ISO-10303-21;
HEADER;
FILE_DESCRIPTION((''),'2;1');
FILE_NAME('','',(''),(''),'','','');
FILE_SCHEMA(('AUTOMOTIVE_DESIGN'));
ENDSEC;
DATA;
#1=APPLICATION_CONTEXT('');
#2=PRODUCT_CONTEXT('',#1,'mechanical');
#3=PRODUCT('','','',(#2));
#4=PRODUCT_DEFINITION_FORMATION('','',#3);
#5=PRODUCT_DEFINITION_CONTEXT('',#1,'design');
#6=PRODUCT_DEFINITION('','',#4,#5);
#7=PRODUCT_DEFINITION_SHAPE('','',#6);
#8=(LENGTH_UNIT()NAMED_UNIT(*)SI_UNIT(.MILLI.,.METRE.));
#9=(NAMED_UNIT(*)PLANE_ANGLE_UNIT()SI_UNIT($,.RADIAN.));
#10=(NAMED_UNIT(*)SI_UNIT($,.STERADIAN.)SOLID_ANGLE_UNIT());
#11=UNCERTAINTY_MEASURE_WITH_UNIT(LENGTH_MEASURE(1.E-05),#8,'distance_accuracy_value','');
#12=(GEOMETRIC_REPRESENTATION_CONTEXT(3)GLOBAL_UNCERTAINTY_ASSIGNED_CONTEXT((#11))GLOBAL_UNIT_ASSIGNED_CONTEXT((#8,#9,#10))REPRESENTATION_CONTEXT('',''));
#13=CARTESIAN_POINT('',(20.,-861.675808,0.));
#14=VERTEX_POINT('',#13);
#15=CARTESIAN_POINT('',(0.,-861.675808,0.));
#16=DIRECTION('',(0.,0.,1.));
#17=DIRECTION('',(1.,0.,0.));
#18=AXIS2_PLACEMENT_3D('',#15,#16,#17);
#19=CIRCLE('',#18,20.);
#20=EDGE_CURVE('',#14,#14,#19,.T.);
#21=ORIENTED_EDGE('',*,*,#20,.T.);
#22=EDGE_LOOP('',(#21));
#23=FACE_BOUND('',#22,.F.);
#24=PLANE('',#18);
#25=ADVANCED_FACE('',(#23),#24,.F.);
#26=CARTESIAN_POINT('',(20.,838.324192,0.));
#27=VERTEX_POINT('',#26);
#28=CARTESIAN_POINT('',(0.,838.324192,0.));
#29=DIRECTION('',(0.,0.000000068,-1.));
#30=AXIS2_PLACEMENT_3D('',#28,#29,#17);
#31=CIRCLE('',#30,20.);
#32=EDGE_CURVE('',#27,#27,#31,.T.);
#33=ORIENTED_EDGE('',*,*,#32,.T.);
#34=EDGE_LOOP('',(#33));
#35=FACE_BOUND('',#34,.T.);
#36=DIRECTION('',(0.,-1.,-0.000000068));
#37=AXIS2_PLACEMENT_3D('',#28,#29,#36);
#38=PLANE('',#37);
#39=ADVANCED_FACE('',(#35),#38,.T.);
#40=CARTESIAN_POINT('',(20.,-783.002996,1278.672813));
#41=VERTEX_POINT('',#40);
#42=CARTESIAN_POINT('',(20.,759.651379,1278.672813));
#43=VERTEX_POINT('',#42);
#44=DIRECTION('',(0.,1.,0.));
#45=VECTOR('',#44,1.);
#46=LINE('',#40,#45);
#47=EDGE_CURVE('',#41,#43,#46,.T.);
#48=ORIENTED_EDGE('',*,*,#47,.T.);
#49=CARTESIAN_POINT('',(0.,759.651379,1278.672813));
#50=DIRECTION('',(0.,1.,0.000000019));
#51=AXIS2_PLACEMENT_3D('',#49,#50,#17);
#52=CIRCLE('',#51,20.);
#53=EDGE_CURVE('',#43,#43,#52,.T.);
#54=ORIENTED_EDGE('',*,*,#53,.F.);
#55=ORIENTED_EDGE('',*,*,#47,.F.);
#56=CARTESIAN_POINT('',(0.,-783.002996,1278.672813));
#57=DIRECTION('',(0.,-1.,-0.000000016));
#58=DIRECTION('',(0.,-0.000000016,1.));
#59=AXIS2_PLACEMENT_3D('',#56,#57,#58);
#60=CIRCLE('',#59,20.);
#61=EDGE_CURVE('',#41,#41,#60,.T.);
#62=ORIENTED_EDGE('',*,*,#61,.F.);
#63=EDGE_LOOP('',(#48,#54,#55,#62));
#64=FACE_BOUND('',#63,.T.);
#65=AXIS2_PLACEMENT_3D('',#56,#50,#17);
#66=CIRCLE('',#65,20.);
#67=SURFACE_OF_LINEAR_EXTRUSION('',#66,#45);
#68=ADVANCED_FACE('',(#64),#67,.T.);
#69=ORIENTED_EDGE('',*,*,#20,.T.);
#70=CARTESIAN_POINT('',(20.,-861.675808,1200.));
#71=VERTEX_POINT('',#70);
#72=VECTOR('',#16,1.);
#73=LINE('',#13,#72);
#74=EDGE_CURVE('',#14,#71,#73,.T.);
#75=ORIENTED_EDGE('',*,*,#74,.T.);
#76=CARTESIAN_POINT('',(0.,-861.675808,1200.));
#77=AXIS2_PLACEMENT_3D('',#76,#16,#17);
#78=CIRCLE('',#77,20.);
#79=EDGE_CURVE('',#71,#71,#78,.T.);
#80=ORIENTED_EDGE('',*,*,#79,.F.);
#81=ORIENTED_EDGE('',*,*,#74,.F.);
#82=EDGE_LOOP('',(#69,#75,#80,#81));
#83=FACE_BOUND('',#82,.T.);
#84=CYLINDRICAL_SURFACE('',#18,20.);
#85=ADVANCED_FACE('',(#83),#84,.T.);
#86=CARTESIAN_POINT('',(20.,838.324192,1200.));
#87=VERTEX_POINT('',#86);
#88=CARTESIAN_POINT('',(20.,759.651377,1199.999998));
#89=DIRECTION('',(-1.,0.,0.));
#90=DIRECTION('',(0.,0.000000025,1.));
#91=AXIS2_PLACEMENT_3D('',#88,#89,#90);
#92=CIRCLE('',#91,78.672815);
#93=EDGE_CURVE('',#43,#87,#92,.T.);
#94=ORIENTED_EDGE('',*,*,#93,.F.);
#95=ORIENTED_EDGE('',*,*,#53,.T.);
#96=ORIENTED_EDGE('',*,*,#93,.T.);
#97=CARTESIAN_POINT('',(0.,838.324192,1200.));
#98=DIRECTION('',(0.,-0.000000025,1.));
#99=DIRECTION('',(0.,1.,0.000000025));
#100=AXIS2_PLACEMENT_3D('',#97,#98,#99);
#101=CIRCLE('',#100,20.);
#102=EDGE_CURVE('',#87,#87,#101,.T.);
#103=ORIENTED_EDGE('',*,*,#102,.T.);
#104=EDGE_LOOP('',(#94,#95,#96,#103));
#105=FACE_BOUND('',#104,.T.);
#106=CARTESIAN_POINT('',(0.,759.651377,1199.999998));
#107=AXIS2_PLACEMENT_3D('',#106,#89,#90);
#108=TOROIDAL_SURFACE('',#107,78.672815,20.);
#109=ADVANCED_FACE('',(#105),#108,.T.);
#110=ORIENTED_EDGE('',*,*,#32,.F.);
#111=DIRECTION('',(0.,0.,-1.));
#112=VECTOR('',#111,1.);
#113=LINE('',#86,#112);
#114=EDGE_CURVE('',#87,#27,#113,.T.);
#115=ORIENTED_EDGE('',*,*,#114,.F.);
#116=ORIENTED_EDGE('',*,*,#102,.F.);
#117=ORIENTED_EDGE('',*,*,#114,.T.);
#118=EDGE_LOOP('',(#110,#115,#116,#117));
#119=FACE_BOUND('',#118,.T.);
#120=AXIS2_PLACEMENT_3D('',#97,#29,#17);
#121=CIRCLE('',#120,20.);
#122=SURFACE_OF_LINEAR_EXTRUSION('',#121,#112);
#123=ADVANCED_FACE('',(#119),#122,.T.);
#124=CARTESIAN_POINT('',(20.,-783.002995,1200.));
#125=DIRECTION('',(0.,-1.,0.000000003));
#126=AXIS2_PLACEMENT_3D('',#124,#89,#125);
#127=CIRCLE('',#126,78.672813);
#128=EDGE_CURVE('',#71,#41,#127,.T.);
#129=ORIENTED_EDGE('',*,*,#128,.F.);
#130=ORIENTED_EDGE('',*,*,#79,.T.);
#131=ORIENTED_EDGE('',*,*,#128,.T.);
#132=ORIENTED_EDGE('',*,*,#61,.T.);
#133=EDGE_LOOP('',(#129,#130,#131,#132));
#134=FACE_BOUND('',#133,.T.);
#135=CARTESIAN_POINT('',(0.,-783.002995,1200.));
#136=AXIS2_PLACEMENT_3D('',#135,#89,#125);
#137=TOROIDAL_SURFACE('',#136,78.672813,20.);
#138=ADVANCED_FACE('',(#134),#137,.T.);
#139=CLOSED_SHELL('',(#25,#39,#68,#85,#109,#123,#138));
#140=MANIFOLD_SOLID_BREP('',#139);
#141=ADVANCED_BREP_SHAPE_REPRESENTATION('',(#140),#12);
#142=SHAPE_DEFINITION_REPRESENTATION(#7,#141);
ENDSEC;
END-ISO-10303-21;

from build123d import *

# Parameters (mm, degrees)
F1_R = 20


with BuildPart() as f2:
    # F2: sweep along a path in F0
    with BuildLine(Plane.YZ) as f2_path:
        Line((-861.675808, 0), (-861.675808, 1200))
        ThreePointArc((-861.675808, 1200), (-838.633075, 1255.630079), (-783.002996, 1278.672813))
        Line((-783.002996, 1278.672813), (759.651379, 1278.672813))
        ThreePointArc((759.651379, 1278.672813), (815.281458, 1255.630079), (838.324192, 1200))
        Line((838.324192, 1200), (838.324192, 0))
    # F1 (on Top) → F2 (sweep)
    with BuildSketch(Plane.XY):
        with Locations((0, -861.675808)):
            Circle(F1_R)
    sweep(path=f2_path.line)


solid = f2.part
